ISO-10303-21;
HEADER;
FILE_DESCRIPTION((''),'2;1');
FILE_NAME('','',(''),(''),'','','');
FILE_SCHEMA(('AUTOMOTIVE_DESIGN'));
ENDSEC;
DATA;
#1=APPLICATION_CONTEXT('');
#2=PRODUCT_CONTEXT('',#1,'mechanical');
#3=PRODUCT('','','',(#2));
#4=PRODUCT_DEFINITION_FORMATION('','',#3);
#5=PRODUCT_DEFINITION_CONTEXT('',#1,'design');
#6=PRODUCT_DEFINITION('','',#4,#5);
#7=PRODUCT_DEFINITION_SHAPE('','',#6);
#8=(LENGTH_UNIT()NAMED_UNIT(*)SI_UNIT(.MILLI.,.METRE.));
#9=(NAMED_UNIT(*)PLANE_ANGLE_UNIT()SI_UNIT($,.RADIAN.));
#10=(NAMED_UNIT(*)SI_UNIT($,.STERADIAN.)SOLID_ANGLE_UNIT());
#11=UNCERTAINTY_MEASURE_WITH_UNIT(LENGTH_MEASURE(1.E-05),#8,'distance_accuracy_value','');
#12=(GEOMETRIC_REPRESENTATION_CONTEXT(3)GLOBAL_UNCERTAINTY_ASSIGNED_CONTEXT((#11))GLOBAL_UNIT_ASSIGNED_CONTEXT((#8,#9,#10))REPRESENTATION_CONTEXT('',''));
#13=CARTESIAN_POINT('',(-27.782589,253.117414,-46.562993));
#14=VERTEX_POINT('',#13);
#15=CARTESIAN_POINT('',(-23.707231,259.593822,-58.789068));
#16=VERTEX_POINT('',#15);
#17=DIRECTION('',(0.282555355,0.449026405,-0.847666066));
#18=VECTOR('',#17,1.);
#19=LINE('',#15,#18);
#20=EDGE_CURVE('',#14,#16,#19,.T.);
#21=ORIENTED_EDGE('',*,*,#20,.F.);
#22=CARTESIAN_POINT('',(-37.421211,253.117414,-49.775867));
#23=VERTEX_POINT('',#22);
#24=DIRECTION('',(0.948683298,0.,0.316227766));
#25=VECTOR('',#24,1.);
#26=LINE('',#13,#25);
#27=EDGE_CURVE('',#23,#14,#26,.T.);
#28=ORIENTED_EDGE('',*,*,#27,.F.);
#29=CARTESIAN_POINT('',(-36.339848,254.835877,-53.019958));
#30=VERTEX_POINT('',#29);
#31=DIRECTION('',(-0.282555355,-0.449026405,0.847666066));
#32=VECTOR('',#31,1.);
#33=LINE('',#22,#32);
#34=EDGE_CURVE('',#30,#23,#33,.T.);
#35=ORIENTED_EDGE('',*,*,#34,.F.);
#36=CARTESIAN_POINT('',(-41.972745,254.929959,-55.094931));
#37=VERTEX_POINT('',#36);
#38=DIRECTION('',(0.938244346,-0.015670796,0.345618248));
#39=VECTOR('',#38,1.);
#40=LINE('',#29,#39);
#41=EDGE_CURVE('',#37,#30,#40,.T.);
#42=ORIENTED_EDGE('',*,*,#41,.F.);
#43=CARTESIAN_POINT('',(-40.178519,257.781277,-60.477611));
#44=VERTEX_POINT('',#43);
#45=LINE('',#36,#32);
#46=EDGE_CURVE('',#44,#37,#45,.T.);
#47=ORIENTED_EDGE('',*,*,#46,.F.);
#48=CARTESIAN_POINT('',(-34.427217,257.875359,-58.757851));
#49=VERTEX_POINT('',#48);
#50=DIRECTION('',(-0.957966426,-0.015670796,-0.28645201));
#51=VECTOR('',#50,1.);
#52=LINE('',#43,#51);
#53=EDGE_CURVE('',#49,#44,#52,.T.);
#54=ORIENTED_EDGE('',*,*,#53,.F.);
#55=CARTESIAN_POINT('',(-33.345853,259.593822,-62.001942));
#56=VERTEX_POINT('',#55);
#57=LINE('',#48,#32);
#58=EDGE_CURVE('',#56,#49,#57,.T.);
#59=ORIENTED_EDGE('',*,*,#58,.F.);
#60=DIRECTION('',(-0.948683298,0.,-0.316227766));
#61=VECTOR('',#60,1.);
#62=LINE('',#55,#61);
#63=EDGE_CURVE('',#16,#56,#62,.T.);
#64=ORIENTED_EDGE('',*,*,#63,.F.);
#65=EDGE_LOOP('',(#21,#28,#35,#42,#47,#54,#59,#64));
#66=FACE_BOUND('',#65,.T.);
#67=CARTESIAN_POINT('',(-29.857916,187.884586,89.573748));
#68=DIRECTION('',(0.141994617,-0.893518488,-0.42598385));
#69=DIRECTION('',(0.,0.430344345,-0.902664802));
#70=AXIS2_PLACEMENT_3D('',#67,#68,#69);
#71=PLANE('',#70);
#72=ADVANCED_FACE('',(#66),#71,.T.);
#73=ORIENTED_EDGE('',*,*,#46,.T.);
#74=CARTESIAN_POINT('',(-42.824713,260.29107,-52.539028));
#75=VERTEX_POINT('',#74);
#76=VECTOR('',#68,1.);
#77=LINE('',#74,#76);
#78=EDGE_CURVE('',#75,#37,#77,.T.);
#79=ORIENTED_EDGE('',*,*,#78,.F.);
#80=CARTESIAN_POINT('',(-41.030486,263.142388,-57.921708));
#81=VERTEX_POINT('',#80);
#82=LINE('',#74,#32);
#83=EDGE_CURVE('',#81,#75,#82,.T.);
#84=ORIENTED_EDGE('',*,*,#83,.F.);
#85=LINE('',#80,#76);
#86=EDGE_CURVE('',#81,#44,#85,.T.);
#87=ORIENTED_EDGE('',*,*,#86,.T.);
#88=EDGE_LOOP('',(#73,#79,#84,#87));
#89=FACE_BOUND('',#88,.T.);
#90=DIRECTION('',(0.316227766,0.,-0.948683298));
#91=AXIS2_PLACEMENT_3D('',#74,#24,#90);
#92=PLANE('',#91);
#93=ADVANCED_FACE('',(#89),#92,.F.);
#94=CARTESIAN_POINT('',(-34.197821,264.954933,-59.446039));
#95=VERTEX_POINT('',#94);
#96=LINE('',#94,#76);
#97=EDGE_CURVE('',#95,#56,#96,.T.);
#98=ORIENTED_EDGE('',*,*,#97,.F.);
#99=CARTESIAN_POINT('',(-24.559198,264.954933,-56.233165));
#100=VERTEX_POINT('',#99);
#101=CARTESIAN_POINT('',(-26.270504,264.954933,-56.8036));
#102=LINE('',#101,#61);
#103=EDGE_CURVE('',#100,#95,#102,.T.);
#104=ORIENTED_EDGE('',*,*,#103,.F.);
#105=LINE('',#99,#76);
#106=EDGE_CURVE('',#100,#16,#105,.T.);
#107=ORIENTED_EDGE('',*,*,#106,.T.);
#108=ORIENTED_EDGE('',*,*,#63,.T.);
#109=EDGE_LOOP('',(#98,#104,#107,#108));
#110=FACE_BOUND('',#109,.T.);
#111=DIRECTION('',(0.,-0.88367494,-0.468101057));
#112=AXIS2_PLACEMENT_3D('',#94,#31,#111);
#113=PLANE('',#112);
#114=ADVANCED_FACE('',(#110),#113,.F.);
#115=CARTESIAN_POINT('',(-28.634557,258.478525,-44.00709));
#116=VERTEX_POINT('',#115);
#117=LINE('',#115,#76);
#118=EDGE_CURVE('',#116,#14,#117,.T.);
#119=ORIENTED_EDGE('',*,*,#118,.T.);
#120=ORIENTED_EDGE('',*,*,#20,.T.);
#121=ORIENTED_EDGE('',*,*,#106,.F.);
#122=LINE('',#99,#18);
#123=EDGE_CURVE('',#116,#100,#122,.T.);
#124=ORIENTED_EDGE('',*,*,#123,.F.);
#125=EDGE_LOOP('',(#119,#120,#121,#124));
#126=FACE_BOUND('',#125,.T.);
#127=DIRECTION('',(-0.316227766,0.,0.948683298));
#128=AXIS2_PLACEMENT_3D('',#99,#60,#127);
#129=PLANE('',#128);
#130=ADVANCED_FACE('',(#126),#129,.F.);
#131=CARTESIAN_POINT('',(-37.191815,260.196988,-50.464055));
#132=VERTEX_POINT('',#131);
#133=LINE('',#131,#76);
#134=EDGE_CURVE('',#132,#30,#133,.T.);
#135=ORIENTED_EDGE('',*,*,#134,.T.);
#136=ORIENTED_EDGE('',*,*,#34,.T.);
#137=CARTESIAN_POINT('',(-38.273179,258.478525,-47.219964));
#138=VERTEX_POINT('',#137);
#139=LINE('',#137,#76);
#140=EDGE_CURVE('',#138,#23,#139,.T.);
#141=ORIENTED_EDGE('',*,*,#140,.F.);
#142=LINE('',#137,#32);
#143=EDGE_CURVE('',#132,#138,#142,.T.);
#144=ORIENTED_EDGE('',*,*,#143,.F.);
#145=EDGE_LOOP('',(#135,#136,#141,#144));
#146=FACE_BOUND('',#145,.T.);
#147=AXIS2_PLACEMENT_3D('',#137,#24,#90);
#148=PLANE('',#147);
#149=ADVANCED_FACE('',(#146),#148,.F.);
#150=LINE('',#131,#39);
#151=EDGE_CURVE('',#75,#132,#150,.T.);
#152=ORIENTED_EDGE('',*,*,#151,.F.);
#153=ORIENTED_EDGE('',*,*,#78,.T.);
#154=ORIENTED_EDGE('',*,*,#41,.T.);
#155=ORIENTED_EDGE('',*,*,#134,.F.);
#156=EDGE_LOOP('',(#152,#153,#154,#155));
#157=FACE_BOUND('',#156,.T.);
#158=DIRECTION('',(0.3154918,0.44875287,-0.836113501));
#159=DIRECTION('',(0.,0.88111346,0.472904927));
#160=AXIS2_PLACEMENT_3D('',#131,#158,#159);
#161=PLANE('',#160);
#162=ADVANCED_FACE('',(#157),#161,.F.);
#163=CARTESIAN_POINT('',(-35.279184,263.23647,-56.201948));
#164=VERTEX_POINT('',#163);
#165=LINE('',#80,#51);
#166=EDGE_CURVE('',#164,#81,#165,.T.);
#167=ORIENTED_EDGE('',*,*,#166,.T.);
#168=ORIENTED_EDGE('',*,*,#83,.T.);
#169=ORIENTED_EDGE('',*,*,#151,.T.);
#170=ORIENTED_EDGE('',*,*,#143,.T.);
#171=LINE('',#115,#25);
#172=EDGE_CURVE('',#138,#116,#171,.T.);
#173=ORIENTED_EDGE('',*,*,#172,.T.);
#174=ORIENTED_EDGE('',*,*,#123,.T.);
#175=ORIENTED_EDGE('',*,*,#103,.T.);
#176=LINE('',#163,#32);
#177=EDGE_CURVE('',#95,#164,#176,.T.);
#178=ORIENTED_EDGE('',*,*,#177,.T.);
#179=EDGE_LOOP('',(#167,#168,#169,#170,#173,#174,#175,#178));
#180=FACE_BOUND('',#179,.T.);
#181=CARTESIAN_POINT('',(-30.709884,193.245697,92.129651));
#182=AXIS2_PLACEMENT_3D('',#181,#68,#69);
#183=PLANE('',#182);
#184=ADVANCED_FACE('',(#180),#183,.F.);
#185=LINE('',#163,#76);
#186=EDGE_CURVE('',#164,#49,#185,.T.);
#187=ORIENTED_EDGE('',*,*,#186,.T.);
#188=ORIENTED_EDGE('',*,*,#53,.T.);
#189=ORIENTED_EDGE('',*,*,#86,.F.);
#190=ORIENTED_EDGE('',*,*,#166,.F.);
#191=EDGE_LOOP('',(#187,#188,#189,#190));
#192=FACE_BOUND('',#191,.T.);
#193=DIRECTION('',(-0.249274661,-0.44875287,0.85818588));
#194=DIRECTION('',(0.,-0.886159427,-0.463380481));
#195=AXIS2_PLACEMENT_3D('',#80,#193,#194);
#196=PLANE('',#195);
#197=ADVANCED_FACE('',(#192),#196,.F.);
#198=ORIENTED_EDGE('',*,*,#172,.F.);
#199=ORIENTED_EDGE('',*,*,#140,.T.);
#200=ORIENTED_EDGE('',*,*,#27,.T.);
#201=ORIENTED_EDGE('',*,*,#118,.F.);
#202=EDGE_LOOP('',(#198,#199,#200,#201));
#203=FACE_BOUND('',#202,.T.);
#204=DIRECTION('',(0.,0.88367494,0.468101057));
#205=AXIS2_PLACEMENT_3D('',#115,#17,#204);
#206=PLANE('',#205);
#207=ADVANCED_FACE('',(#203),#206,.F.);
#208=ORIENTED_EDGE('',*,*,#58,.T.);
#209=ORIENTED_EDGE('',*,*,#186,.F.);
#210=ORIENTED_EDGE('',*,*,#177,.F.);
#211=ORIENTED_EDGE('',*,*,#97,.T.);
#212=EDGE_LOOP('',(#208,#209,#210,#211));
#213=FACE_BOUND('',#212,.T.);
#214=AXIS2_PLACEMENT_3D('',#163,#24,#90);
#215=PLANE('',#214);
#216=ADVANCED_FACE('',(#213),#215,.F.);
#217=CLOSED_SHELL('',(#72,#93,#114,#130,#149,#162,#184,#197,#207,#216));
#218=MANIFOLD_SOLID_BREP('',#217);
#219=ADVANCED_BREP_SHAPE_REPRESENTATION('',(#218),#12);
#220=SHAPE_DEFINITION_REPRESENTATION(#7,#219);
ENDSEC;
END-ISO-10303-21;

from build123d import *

# Parameters (mm, degrees)
BOSS_EXTRUDE1_DEPTH = 3


with BuildPart() as part:
    # Sketch1 → Boss-Extrude1 (new, symmetric)
    with BuildSketch(Plane(origin=(-30.283899698, 190.565141588, 90.851699095), x_dir=(0.9895658040523138, 0.13875740324000221, 0.03880595954733255), z_dir=(-0.14199461682965575, 0.8935184877292665, 0.42598385048896426))):
        Polygon((8.563747727, 165.135393036), (10.279333672, 164.577962648), (5.822293392, 150.860670181), (-3.840436305, 154.00029672), (-2.657796412, 157.640070264), (-8.299385893, 159.693450084), (-6.337119306, 165.732656145), (-0.566035918, 164.077815643), (0.616603976, 167.717589188), align=None)
    extrude(amount=BOSS_EXTRUDE1_DEPTH, both=True)


solid = part.part
